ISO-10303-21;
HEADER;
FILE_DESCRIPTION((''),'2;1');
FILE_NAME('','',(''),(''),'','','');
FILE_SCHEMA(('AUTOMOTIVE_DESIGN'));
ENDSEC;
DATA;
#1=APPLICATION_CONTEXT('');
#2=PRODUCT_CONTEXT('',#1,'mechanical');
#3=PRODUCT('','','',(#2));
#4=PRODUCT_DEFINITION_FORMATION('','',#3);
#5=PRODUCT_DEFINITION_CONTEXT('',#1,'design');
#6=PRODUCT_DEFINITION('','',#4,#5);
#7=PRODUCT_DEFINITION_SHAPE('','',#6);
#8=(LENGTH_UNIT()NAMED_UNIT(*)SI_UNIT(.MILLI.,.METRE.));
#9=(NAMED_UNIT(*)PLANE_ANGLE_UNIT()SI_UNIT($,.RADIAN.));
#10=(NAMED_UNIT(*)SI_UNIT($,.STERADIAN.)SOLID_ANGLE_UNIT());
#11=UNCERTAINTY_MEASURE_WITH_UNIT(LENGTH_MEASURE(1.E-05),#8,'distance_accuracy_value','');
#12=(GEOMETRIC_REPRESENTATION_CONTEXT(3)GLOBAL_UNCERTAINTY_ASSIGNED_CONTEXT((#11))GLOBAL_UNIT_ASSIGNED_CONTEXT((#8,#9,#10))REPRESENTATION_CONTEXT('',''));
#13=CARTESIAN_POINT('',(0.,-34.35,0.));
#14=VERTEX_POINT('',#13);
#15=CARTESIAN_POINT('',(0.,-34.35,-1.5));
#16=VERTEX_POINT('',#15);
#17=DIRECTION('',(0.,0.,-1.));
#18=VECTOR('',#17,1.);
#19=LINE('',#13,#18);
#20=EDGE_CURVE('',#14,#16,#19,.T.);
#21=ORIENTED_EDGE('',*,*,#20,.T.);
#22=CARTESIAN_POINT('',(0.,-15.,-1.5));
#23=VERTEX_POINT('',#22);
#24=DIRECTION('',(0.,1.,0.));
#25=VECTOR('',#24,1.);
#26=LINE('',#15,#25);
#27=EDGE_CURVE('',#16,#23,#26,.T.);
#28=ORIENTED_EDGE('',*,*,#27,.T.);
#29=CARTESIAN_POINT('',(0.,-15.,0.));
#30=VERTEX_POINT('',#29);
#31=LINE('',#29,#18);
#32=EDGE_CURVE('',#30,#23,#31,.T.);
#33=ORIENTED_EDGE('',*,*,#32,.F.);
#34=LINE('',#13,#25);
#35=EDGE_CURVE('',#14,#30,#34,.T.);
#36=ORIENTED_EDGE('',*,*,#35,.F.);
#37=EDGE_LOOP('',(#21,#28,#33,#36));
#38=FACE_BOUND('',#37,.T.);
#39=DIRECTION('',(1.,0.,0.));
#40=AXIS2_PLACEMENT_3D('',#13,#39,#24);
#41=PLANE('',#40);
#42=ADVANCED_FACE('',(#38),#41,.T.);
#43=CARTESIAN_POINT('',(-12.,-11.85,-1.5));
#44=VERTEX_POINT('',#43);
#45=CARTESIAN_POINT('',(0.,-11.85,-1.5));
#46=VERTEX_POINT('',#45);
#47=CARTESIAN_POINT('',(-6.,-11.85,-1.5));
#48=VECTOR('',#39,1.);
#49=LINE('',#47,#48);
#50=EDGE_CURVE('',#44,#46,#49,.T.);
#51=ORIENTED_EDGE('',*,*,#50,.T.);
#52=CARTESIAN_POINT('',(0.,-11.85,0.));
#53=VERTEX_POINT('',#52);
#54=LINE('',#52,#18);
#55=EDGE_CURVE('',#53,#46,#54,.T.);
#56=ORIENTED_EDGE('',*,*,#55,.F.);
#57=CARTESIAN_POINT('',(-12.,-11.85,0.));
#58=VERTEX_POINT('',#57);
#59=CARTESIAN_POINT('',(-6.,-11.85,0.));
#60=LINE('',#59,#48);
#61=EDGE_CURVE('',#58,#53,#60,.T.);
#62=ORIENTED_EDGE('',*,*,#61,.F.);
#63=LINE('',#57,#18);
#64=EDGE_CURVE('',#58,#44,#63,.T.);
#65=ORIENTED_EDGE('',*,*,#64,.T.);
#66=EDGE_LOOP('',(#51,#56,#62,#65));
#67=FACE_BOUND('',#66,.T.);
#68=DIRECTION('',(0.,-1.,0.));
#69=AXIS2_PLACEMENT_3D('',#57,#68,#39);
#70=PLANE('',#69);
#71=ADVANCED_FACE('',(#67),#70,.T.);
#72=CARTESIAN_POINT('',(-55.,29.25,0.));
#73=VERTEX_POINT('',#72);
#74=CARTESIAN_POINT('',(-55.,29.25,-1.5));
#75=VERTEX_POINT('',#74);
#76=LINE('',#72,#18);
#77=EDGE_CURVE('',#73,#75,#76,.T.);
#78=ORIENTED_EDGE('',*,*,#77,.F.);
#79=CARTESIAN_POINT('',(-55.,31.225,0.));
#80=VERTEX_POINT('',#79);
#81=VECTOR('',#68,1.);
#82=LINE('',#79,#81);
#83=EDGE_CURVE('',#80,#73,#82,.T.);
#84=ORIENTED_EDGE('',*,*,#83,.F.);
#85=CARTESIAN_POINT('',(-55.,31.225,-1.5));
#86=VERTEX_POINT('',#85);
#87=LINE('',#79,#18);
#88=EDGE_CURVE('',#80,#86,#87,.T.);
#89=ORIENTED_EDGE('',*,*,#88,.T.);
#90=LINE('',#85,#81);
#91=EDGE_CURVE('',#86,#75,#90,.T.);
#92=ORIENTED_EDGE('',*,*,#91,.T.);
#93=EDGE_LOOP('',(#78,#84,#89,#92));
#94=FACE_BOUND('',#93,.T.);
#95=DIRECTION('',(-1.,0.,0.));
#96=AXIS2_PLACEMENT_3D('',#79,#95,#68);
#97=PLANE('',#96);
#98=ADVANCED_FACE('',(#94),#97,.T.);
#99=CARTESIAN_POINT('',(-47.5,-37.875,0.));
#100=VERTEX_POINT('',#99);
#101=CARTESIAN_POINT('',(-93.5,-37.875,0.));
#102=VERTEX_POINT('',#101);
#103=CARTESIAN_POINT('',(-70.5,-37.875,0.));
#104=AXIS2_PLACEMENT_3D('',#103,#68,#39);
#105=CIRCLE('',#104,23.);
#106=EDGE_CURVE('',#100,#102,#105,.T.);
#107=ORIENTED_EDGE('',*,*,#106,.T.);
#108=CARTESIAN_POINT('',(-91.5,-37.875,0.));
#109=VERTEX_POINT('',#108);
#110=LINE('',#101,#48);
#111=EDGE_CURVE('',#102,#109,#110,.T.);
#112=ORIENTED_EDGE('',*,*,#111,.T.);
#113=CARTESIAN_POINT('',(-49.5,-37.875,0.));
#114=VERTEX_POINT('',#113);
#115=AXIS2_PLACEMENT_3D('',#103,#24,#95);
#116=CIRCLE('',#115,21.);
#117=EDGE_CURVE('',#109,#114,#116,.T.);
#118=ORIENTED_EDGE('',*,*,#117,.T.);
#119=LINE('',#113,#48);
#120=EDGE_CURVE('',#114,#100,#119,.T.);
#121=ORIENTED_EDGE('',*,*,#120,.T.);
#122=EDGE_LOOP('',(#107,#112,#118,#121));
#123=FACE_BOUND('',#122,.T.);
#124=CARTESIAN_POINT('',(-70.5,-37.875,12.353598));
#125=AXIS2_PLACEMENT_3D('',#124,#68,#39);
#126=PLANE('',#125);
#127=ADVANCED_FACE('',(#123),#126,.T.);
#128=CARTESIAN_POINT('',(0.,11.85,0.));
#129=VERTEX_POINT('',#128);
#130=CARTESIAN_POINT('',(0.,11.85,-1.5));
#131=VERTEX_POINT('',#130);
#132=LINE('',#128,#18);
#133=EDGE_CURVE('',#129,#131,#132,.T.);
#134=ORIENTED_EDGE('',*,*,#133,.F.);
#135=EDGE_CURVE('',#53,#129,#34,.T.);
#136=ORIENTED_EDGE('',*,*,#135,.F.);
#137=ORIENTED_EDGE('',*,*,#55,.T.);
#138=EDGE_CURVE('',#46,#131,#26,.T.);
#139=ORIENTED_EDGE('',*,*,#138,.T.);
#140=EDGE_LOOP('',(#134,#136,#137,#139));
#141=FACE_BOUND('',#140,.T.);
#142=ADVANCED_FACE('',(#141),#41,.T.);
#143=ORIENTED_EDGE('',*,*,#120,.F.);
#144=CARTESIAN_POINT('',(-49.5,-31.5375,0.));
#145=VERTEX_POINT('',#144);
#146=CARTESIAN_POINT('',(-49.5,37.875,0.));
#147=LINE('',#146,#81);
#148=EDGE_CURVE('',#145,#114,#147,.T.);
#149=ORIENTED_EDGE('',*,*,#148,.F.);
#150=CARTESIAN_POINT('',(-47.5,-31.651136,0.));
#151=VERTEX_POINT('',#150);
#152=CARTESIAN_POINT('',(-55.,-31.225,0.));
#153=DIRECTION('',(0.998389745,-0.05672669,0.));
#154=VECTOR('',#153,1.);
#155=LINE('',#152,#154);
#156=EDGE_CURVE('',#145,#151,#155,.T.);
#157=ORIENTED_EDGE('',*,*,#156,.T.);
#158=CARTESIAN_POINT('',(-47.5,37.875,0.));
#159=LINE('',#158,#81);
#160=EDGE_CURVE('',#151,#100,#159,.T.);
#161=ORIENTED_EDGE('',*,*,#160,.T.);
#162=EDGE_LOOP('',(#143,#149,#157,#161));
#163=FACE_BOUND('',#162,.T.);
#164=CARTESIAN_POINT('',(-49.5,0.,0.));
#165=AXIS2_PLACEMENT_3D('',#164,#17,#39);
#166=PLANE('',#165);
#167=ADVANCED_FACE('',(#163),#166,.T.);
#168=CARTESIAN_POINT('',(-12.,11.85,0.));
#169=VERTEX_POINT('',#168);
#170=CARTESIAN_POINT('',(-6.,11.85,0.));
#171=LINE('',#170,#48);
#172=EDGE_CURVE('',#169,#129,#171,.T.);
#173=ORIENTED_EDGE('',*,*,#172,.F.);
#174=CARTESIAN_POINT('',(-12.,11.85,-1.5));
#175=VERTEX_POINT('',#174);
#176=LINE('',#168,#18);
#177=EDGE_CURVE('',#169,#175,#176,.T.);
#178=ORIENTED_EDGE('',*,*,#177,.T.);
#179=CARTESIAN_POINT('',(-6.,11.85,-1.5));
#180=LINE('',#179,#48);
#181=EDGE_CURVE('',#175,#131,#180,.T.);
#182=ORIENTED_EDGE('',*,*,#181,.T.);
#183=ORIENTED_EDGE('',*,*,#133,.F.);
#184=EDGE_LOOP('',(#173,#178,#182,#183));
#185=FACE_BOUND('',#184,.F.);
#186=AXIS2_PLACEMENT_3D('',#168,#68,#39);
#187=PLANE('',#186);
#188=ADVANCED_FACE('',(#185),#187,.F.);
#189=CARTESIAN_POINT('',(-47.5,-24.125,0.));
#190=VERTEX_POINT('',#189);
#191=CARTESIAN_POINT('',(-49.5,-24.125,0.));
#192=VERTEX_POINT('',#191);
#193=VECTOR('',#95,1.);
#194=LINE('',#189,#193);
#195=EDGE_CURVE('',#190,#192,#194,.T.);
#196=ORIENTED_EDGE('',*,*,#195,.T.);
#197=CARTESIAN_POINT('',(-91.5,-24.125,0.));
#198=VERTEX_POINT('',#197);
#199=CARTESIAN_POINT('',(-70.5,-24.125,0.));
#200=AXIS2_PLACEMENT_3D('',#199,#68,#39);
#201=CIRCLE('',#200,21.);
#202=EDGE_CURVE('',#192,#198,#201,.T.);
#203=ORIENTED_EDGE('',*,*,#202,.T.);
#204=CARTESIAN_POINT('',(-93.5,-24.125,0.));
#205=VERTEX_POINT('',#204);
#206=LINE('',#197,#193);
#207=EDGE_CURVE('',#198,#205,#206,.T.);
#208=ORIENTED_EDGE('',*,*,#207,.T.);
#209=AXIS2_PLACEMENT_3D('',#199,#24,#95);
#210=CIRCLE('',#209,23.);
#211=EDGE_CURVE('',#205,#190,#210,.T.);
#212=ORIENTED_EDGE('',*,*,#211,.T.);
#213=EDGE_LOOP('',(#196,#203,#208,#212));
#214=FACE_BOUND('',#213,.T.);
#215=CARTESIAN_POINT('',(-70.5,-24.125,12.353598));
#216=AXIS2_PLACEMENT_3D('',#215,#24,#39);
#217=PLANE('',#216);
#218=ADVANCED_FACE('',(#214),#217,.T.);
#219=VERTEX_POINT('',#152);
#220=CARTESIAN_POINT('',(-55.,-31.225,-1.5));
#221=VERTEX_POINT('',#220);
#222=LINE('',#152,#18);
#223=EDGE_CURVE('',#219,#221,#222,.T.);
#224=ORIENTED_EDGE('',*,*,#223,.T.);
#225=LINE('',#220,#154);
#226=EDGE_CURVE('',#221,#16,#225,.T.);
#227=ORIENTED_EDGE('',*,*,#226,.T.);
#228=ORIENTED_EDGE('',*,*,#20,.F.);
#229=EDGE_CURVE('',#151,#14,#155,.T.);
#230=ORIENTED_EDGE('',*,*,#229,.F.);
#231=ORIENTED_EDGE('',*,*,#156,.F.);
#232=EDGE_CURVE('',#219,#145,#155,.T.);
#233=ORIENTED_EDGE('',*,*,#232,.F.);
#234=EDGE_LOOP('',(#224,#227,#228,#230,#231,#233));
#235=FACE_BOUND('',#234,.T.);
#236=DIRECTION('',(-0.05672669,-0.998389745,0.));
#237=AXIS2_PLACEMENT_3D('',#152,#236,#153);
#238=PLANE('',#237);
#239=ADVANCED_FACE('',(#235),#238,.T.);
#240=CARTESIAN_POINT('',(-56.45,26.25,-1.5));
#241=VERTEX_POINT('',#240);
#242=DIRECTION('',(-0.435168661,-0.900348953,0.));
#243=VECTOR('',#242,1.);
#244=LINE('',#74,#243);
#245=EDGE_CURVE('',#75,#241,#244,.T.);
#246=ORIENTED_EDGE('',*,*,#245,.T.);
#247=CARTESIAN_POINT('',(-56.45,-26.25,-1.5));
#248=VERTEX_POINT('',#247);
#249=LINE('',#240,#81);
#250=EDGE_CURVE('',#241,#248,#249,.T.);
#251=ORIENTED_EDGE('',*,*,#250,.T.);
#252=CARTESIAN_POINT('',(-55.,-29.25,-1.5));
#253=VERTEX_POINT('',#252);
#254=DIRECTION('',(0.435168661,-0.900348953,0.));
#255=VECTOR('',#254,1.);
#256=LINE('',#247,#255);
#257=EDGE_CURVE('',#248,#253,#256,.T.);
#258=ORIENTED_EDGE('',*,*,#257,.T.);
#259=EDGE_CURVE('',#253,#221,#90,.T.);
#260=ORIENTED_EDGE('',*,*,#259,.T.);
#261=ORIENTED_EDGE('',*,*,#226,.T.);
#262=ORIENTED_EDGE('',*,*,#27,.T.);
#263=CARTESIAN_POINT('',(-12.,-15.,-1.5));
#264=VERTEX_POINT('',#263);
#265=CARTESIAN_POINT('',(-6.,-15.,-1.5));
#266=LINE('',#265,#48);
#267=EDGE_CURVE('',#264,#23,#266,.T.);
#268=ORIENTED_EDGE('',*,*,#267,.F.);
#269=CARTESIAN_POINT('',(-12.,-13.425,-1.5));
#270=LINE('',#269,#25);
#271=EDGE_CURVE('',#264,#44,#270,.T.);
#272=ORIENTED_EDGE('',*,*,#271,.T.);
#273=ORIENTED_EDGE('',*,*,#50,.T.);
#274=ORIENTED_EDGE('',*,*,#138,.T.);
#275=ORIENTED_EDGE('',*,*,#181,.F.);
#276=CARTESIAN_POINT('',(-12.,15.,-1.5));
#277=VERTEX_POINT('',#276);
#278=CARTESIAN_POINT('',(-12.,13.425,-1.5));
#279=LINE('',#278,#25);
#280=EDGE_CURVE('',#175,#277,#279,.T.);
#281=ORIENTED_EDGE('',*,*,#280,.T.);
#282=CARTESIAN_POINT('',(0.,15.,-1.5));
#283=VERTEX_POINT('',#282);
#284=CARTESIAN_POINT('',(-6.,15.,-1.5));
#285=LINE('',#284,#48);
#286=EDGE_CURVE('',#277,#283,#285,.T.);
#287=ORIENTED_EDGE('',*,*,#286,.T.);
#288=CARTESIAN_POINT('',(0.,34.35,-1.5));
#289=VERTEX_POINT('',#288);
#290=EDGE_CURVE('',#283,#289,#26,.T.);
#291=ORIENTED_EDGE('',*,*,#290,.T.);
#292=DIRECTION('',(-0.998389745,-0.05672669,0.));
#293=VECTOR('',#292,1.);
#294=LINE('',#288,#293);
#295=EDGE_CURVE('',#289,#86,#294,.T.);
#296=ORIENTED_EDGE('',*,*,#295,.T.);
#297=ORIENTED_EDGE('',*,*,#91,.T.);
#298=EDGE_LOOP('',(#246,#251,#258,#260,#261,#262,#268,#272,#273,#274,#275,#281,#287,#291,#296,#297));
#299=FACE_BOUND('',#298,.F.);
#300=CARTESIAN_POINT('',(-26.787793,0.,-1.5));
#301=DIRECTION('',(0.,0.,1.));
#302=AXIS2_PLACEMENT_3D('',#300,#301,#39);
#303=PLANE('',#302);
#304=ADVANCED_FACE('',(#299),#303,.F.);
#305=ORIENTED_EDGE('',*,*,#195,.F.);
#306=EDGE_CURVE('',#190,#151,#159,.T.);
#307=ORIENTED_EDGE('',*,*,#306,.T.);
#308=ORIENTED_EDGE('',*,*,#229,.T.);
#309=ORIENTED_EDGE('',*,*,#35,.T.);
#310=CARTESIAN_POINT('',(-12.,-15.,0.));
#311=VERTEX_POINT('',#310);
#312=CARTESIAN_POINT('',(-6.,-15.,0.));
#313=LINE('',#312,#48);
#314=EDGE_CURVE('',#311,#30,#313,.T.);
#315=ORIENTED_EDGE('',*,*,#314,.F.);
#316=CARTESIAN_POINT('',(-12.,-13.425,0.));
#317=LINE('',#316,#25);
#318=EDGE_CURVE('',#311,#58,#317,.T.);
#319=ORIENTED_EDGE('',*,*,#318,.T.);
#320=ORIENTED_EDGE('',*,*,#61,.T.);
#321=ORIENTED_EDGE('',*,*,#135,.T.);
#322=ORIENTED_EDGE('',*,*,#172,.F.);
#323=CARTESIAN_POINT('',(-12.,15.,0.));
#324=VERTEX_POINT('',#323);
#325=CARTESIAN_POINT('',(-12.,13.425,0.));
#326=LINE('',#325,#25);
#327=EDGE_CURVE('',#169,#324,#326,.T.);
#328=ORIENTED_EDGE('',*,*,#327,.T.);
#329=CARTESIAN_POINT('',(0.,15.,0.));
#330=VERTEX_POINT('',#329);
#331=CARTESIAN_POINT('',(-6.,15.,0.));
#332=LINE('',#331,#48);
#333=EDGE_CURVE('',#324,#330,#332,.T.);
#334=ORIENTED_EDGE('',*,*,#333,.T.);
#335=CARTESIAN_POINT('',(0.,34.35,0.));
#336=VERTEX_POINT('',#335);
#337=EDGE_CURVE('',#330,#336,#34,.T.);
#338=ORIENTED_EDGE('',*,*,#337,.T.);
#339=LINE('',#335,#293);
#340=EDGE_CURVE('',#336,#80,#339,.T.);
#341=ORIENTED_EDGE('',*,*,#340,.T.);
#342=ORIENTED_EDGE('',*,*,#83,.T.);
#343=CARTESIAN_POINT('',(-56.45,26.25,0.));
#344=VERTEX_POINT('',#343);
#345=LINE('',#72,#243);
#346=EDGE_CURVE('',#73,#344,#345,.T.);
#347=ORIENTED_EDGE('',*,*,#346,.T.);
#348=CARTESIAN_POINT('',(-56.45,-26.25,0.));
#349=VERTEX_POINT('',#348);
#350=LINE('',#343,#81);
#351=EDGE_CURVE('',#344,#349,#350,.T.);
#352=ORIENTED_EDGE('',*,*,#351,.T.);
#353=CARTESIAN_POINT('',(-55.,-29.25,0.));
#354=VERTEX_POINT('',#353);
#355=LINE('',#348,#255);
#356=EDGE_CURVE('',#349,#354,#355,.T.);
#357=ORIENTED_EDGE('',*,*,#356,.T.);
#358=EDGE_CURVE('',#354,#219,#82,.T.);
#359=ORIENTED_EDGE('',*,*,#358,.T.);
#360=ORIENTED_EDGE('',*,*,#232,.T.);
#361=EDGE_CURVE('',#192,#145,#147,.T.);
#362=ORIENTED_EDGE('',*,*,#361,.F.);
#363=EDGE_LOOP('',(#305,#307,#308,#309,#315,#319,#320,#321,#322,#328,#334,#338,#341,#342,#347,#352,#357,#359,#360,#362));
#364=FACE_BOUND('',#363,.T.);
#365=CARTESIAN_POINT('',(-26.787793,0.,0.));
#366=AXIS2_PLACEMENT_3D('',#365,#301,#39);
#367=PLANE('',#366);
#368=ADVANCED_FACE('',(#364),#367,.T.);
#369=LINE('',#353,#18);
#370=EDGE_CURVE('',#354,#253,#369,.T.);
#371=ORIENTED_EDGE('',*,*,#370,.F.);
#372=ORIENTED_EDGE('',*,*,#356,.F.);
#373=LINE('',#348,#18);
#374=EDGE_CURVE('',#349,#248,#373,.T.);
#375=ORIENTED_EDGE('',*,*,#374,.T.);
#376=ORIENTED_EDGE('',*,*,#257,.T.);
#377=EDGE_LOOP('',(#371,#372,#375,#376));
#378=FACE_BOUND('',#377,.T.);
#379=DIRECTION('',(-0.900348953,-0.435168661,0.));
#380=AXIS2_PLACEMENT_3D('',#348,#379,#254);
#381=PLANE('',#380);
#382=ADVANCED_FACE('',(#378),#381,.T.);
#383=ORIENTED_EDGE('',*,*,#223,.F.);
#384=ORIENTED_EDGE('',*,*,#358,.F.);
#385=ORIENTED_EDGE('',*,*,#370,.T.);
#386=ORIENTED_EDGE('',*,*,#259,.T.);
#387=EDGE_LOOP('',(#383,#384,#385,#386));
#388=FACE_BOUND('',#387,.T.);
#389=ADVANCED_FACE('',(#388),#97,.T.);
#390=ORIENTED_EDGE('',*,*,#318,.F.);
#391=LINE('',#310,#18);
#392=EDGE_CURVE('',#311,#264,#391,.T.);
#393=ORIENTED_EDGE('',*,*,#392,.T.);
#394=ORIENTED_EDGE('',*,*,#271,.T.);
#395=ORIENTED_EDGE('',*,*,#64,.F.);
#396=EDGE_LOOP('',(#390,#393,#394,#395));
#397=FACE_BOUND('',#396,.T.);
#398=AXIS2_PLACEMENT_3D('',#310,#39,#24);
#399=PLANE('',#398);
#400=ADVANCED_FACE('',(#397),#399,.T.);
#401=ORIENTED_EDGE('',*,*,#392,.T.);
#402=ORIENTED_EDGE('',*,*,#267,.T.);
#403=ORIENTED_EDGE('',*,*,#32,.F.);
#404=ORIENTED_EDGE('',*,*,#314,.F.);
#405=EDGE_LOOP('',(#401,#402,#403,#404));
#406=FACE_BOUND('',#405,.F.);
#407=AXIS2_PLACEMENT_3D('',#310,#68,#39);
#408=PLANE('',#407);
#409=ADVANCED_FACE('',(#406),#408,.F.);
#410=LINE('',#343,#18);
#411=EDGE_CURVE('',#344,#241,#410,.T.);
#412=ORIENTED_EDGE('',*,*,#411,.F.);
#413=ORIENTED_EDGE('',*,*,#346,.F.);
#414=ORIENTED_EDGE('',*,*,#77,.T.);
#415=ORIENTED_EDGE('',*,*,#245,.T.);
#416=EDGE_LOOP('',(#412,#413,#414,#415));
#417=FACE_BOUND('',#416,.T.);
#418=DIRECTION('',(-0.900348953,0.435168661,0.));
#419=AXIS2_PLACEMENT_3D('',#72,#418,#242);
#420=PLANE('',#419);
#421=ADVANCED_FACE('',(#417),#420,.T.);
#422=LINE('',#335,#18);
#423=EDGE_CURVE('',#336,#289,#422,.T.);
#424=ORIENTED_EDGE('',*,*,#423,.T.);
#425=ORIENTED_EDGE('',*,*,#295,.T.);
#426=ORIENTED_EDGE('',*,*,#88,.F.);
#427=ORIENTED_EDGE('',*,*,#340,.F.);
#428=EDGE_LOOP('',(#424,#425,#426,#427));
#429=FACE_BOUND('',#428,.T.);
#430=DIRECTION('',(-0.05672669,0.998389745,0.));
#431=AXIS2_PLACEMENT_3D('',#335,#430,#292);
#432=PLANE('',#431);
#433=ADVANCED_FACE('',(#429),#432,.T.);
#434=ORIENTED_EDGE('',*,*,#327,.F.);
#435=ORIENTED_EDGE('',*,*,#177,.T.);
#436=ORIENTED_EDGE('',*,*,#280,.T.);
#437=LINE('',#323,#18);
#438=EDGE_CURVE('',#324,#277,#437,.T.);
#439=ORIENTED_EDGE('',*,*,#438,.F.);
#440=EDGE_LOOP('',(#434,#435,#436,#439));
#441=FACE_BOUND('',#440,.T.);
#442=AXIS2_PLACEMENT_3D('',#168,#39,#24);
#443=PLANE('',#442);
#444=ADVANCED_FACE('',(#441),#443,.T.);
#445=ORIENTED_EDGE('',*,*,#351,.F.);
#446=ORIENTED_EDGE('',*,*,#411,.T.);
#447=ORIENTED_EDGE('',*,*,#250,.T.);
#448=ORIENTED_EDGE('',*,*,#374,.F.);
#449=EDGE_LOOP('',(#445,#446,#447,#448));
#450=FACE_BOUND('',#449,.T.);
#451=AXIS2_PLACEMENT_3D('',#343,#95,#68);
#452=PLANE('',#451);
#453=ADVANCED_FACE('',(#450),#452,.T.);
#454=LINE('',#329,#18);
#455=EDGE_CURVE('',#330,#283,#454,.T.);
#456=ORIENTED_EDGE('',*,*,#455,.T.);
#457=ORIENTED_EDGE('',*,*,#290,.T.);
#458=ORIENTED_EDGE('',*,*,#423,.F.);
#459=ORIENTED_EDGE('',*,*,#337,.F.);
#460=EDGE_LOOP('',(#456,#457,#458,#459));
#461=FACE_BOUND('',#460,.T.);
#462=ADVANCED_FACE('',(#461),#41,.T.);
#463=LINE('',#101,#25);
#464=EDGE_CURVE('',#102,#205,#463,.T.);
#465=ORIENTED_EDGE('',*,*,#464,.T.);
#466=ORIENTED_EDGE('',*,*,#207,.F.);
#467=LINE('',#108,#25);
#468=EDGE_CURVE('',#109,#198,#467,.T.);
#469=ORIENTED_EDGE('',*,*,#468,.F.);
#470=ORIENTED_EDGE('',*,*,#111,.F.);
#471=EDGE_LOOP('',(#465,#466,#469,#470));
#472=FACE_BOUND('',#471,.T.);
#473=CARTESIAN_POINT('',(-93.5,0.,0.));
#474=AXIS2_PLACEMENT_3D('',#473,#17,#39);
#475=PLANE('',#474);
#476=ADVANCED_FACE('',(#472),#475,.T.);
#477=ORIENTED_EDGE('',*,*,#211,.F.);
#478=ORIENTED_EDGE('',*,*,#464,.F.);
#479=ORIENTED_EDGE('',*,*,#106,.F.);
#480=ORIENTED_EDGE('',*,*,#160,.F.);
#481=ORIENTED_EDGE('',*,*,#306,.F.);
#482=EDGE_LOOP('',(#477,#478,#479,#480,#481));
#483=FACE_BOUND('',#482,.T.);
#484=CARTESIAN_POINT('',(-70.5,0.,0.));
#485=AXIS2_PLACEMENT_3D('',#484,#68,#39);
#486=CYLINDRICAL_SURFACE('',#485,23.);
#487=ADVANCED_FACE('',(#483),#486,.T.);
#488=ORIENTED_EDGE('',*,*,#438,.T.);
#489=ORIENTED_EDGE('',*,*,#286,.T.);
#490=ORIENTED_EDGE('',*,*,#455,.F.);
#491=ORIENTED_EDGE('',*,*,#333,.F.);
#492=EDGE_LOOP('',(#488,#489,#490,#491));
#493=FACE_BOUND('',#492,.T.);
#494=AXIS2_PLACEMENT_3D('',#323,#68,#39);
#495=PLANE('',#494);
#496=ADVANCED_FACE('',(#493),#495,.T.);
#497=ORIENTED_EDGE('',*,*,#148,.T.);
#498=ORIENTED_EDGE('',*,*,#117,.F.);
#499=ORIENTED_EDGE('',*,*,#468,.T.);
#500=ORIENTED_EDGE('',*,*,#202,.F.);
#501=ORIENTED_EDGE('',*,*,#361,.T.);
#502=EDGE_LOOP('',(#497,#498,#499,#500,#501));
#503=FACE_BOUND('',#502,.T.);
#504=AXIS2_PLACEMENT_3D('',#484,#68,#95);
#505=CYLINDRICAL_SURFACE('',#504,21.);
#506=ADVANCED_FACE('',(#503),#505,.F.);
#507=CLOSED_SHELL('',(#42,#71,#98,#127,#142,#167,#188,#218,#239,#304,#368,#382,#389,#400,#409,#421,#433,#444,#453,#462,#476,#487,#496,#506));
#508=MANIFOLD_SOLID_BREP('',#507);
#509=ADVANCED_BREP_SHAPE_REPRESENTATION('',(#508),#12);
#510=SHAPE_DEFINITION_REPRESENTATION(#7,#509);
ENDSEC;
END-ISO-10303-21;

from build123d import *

# Parameters (mm, degrees)
F1_DEPTH = 1.5
F2_W     = 12
F2_H     = 3.15
F3_DEPTH = 1.5
F5_DEPTH = 1.5
F7_DEPTH = 37.875
F8_DEPTH = 62


with BuildPart() as f1:
    # F0 (on Top) → F1 (new body)
    with BuildSketch(Plane.XY):
        Polygon((0, -34.35), (0, 34.35), (-55, 31.225), (-55, -31.225), align=None)
    extrude(amount=-F1_DEPTH)

    # F2 (on face) → F3 (cut, through all)
    with BuildSketch(Plane.XY):
        with Locations((-6, 13.425)):
            Rectangle(F2_W, F2_H)
        with Locations((-6, -13.425)):
            Rectangle(F2_W, F2_H)
    extrude(amount=-F3_DEPTH, mode=Mode.SUBTRACT)

    # F4 (on Top) → F5 (join, through all)
    with BuildSketch(Plane.XY):
        Polygon((-55, -29.25), (-55, 29.25), (-56.45, 26.25), (-56.45, -26.25), align=None)
    extrude(amount=-F5_DEPTH)

    # F6 (on Front) → F7 (join, symmetric)
    with BuildSketch(Plane.XZ):
        with BuildLine():
            ThreePointArc((-91.5, 0), (-70.5, 21), (-49.5, 0))
            Line((-49.5, 0), (-47.5, 0))
            ThreePointArc((-47.5, 0), (-70.5, 23), (-93.5, 0))
            Line((-93.5, 0), (-91.5, 0))
        make_face()
    extrude(amount=F7_DEPTH, both=True)

    # F7_face (on face) → F8 (cut)
    with BuildSketch(Plane(origin=(-70.5, 37.875, 14.015281), x_dir=(1, 0, 0), z_dir=(0, 1, 0))):
        with BuildLine():
            Line((-21, 14.015281), (-23, 14.015281))
            ThreePointArc((-23, 14.015281), (0, -8.984719), (23, 14.015281))
            Line((23, 14.015281), (21, 14.015281))
            ThreePointArc((21, 14.015281), (0, -6.984719), (-21, 14.015281))
        make_face()
    extrude(amount=-F8_DEPTH, mode=Mode.SUBTRACT)


solid = f1.part
